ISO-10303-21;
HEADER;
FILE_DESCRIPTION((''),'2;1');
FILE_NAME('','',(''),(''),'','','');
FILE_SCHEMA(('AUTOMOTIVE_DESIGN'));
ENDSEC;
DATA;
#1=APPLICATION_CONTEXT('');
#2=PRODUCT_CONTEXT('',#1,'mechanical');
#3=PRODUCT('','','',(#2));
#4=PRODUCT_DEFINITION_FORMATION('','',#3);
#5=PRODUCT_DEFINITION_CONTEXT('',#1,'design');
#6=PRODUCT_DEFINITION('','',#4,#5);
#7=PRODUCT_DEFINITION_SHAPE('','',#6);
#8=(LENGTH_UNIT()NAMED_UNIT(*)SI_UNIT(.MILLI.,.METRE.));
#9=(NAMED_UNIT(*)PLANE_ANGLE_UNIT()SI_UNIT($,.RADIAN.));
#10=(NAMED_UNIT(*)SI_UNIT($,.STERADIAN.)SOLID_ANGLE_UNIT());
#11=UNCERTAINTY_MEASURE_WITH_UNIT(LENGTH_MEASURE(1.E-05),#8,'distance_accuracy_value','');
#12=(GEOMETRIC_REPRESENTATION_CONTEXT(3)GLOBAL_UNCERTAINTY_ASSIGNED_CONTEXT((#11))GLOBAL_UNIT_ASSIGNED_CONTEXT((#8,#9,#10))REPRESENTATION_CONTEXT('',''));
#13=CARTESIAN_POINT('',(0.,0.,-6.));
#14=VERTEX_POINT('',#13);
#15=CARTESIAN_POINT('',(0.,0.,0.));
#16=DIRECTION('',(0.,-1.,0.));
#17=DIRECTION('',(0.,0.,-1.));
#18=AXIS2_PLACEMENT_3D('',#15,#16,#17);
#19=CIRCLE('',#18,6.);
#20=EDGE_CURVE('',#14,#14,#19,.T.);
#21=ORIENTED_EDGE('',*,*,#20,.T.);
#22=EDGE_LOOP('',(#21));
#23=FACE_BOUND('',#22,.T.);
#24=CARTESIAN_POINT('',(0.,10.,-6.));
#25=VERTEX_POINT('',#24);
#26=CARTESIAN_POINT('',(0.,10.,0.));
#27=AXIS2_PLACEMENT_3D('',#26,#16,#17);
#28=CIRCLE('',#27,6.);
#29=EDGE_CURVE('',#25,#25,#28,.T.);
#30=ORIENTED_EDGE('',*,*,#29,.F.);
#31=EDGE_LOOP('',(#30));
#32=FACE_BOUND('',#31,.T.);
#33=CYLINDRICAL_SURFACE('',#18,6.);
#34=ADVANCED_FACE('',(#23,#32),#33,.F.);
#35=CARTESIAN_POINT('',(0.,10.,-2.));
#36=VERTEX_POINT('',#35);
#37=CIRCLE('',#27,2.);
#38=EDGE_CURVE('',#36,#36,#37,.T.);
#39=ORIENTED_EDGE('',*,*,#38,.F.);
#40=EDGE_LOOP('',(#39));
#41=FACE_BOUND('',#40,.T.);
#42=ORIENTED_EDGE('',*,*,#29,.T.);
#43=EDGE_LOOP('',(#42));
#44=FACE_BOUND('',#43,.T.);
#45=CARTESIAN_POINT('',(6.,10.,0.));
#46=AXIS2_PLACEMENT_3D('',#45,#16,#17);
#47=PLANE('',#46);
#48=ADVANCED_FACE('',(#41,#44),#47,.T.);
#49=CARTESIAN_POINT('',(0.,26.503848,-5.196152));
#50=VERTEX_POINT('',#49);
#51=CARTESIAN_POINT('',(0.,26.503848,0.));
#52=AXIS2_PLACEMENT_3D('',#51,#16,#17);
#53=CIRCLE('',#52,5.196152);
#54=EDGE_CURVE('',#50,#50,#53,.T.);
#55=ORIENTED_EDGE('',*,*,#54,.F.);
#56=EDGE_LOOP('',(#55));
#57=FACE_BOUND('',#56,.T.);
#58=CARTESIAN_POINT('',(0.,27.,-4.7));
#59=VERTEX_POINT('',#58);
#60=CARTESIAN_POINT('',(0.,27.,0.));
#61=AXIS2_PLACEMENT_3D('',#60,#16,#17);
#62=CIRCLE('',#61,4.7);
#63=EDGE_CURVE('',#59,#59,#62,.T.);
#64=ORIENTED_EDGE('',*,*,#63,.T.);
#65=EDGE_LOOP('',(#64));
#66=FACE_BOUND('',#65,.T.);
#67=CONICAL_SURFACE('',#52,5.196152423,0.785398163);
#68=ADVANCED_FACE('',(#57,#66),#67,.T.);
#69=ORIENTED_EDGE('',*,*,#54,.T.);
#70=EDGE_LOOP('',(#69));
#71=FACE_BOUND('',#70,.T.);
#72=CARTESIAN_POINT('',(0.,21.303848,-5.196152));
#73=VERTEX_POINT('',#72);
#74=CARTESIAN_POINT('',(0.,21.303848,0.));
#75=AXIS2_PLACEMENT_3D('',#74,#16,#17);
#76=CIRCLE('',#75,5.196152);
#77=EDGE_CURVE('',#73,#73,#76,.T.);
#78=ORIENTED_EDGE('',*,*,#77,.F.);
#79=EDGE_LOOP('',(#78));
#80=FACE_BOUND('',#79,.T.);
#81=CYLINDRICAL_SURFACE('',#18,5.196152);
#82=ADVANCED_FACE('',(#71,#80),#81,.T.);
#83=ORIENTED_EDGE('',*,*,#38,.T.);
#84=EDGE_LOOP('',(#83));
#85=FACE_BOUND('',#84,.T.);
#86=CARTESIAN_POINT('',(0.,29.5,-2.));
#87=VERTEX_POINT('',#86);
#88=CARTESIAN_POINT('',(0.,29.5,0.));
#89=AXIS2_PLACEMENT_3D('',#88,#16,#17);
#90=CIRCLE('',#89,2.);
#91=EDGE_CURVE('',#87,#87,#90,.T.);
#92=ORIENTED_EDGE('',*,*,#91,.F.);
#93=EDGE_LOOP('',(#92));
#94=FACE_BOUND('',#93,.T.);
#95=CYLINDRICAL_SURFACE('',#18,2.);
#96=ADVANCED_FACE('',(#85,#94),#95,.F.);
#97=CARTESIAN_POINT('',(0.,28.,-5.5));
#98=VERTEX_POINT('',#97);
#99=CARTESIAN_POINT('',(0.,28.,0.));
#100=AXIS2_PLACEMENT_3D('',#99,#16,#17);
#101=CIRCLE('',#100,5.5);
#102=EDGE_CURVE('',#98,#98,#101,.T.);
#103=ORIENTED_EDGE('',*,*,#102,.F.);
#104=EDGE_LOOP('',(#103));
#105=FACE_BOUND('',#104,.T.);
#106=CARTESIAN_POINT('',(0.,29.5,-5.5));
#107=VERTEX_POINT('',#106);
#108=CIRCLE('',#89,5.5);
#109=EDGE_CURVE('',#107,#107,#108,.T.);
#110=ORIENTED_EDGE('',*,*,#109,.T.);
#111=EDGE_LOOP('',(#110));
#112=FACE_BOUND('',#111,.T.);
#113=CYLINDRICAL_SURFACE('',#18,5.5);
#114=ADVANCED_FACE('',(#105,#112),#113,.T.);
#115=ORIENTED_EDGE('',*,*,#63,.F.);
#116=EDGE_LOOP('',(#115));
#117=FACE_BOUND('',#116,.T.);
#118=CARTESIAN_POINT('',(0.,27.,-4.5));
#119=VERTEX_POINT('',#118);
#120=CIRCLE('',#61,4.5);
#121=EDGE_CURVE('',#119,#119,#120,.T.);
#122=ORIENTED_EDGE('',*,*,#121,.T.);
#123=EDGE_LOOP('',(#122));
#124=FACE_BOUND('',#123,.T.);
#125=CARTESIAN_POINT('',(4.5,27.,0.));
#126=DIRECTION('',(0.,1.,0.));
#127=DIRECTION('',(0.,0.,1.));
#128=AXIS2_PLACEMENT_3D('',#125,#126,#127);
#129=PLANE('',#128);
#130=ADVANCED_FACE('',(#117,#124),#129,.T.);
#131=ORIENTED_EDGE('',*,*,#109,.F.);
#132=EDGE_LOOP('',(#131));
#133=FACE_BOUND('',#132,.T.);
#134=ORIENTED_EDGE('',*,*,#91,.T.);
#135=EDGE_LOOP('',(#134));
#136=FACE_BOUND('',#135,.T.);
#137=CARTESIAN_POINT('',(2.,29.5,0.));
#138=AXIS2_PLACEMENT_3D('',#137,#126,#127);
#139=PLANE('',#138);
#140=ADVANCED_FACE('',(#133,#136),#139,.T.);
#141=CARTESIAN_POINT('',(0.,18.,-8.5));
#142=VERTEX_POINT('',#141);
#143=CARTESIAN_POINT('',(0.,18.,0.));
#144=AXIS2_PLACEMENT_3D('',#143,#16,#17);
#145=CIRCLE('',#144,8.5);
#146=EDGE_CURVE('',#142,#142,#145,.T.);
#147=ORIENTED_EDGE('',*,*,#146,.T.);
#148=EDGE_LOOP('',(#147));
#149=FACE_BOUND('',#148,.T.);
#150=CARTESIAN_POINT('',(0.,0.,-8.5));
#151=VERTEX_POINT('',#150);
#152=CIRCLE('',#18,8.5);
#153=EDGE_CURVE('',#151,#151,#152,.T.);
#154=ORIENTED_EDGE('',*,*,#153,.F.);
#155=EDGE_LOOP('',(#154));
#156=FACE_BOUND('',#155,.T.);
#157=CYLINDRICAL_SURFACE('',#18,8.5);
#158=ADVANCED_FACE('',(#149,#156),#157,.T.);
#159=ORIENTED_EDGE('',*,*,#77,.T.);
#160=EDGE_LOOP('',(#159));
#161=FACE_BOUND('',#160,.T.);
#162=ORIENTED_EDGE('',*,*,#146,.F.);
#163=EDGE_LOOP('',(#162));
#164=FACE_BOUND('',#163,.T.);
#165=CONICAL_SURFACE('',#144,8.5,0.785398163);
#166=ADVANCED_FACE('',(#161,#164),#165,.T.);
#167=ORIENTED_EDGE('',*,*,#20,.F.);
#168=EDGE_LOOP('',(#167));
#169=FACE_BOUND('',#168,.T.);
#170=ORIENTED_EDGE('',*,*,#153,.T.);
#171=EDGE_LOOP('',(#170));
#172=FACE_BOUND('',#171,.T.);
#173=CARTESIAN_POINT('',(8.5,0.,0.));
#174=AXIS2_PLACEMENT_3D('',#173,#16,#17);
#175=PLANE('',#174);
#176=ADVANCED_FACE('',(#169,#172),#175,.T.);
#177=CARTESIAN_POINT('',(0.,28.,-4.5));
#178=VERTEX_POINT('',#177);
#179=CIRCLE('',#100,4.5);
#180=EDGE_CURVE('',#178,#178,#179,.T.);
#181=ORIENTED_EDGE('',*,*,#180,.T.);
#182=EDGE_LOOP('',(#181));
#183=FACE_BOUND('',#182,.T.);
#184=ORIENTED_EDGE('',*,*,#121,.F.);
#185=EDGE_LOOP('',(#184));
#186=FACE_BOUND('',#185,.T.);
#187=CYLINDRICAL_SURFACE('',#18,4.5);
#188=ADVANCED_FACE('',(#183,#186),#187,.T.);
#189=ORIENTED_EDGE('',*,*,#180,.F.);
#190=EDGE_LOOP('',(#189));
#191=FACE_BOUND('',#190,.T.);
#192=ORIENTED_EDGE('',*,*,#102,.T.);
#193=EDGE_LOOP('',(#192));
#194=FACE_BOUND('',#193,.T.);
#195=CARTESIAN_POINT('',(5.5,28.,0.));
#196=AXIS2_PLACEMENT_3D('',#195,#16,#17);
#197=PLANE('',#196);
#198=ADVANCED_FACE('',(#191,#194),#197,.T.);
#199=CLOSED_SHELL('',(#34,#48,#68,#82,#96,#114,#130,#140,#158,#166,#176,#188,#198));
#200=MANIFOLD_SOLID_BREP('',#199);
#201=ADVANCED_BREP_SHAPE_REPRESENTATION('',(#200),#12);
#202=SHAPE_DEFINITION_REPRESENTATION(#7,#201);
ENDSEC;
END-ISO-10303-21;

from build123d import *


with BuildPart() as part:
    # Эскиз1 → Повернуть1 (revolve)
    with BuildSketch(Plane.XY, mode=Mode.PRIVATE) as revolve_1_sk:
        Polygon((2, 29.5), (2, 13.044251017), (2, 10), (6, 10), (6, 0), (8.5, 0), (8.5, 18), (5.196152423, 21.303847577), (5.196152423, 26.503847577), (4.7, 27), (4.5, 27), (4.5, 28), (5.5, 28), (5.5, 29.5), align=None)
    revolve(revolve_1_sk.sketch.rotate(Axis((0, 0, 0), (0, 1, 0)), 90), axis=Axis((0, 0, 0), (0, 1, 0)))


solid = part.part
